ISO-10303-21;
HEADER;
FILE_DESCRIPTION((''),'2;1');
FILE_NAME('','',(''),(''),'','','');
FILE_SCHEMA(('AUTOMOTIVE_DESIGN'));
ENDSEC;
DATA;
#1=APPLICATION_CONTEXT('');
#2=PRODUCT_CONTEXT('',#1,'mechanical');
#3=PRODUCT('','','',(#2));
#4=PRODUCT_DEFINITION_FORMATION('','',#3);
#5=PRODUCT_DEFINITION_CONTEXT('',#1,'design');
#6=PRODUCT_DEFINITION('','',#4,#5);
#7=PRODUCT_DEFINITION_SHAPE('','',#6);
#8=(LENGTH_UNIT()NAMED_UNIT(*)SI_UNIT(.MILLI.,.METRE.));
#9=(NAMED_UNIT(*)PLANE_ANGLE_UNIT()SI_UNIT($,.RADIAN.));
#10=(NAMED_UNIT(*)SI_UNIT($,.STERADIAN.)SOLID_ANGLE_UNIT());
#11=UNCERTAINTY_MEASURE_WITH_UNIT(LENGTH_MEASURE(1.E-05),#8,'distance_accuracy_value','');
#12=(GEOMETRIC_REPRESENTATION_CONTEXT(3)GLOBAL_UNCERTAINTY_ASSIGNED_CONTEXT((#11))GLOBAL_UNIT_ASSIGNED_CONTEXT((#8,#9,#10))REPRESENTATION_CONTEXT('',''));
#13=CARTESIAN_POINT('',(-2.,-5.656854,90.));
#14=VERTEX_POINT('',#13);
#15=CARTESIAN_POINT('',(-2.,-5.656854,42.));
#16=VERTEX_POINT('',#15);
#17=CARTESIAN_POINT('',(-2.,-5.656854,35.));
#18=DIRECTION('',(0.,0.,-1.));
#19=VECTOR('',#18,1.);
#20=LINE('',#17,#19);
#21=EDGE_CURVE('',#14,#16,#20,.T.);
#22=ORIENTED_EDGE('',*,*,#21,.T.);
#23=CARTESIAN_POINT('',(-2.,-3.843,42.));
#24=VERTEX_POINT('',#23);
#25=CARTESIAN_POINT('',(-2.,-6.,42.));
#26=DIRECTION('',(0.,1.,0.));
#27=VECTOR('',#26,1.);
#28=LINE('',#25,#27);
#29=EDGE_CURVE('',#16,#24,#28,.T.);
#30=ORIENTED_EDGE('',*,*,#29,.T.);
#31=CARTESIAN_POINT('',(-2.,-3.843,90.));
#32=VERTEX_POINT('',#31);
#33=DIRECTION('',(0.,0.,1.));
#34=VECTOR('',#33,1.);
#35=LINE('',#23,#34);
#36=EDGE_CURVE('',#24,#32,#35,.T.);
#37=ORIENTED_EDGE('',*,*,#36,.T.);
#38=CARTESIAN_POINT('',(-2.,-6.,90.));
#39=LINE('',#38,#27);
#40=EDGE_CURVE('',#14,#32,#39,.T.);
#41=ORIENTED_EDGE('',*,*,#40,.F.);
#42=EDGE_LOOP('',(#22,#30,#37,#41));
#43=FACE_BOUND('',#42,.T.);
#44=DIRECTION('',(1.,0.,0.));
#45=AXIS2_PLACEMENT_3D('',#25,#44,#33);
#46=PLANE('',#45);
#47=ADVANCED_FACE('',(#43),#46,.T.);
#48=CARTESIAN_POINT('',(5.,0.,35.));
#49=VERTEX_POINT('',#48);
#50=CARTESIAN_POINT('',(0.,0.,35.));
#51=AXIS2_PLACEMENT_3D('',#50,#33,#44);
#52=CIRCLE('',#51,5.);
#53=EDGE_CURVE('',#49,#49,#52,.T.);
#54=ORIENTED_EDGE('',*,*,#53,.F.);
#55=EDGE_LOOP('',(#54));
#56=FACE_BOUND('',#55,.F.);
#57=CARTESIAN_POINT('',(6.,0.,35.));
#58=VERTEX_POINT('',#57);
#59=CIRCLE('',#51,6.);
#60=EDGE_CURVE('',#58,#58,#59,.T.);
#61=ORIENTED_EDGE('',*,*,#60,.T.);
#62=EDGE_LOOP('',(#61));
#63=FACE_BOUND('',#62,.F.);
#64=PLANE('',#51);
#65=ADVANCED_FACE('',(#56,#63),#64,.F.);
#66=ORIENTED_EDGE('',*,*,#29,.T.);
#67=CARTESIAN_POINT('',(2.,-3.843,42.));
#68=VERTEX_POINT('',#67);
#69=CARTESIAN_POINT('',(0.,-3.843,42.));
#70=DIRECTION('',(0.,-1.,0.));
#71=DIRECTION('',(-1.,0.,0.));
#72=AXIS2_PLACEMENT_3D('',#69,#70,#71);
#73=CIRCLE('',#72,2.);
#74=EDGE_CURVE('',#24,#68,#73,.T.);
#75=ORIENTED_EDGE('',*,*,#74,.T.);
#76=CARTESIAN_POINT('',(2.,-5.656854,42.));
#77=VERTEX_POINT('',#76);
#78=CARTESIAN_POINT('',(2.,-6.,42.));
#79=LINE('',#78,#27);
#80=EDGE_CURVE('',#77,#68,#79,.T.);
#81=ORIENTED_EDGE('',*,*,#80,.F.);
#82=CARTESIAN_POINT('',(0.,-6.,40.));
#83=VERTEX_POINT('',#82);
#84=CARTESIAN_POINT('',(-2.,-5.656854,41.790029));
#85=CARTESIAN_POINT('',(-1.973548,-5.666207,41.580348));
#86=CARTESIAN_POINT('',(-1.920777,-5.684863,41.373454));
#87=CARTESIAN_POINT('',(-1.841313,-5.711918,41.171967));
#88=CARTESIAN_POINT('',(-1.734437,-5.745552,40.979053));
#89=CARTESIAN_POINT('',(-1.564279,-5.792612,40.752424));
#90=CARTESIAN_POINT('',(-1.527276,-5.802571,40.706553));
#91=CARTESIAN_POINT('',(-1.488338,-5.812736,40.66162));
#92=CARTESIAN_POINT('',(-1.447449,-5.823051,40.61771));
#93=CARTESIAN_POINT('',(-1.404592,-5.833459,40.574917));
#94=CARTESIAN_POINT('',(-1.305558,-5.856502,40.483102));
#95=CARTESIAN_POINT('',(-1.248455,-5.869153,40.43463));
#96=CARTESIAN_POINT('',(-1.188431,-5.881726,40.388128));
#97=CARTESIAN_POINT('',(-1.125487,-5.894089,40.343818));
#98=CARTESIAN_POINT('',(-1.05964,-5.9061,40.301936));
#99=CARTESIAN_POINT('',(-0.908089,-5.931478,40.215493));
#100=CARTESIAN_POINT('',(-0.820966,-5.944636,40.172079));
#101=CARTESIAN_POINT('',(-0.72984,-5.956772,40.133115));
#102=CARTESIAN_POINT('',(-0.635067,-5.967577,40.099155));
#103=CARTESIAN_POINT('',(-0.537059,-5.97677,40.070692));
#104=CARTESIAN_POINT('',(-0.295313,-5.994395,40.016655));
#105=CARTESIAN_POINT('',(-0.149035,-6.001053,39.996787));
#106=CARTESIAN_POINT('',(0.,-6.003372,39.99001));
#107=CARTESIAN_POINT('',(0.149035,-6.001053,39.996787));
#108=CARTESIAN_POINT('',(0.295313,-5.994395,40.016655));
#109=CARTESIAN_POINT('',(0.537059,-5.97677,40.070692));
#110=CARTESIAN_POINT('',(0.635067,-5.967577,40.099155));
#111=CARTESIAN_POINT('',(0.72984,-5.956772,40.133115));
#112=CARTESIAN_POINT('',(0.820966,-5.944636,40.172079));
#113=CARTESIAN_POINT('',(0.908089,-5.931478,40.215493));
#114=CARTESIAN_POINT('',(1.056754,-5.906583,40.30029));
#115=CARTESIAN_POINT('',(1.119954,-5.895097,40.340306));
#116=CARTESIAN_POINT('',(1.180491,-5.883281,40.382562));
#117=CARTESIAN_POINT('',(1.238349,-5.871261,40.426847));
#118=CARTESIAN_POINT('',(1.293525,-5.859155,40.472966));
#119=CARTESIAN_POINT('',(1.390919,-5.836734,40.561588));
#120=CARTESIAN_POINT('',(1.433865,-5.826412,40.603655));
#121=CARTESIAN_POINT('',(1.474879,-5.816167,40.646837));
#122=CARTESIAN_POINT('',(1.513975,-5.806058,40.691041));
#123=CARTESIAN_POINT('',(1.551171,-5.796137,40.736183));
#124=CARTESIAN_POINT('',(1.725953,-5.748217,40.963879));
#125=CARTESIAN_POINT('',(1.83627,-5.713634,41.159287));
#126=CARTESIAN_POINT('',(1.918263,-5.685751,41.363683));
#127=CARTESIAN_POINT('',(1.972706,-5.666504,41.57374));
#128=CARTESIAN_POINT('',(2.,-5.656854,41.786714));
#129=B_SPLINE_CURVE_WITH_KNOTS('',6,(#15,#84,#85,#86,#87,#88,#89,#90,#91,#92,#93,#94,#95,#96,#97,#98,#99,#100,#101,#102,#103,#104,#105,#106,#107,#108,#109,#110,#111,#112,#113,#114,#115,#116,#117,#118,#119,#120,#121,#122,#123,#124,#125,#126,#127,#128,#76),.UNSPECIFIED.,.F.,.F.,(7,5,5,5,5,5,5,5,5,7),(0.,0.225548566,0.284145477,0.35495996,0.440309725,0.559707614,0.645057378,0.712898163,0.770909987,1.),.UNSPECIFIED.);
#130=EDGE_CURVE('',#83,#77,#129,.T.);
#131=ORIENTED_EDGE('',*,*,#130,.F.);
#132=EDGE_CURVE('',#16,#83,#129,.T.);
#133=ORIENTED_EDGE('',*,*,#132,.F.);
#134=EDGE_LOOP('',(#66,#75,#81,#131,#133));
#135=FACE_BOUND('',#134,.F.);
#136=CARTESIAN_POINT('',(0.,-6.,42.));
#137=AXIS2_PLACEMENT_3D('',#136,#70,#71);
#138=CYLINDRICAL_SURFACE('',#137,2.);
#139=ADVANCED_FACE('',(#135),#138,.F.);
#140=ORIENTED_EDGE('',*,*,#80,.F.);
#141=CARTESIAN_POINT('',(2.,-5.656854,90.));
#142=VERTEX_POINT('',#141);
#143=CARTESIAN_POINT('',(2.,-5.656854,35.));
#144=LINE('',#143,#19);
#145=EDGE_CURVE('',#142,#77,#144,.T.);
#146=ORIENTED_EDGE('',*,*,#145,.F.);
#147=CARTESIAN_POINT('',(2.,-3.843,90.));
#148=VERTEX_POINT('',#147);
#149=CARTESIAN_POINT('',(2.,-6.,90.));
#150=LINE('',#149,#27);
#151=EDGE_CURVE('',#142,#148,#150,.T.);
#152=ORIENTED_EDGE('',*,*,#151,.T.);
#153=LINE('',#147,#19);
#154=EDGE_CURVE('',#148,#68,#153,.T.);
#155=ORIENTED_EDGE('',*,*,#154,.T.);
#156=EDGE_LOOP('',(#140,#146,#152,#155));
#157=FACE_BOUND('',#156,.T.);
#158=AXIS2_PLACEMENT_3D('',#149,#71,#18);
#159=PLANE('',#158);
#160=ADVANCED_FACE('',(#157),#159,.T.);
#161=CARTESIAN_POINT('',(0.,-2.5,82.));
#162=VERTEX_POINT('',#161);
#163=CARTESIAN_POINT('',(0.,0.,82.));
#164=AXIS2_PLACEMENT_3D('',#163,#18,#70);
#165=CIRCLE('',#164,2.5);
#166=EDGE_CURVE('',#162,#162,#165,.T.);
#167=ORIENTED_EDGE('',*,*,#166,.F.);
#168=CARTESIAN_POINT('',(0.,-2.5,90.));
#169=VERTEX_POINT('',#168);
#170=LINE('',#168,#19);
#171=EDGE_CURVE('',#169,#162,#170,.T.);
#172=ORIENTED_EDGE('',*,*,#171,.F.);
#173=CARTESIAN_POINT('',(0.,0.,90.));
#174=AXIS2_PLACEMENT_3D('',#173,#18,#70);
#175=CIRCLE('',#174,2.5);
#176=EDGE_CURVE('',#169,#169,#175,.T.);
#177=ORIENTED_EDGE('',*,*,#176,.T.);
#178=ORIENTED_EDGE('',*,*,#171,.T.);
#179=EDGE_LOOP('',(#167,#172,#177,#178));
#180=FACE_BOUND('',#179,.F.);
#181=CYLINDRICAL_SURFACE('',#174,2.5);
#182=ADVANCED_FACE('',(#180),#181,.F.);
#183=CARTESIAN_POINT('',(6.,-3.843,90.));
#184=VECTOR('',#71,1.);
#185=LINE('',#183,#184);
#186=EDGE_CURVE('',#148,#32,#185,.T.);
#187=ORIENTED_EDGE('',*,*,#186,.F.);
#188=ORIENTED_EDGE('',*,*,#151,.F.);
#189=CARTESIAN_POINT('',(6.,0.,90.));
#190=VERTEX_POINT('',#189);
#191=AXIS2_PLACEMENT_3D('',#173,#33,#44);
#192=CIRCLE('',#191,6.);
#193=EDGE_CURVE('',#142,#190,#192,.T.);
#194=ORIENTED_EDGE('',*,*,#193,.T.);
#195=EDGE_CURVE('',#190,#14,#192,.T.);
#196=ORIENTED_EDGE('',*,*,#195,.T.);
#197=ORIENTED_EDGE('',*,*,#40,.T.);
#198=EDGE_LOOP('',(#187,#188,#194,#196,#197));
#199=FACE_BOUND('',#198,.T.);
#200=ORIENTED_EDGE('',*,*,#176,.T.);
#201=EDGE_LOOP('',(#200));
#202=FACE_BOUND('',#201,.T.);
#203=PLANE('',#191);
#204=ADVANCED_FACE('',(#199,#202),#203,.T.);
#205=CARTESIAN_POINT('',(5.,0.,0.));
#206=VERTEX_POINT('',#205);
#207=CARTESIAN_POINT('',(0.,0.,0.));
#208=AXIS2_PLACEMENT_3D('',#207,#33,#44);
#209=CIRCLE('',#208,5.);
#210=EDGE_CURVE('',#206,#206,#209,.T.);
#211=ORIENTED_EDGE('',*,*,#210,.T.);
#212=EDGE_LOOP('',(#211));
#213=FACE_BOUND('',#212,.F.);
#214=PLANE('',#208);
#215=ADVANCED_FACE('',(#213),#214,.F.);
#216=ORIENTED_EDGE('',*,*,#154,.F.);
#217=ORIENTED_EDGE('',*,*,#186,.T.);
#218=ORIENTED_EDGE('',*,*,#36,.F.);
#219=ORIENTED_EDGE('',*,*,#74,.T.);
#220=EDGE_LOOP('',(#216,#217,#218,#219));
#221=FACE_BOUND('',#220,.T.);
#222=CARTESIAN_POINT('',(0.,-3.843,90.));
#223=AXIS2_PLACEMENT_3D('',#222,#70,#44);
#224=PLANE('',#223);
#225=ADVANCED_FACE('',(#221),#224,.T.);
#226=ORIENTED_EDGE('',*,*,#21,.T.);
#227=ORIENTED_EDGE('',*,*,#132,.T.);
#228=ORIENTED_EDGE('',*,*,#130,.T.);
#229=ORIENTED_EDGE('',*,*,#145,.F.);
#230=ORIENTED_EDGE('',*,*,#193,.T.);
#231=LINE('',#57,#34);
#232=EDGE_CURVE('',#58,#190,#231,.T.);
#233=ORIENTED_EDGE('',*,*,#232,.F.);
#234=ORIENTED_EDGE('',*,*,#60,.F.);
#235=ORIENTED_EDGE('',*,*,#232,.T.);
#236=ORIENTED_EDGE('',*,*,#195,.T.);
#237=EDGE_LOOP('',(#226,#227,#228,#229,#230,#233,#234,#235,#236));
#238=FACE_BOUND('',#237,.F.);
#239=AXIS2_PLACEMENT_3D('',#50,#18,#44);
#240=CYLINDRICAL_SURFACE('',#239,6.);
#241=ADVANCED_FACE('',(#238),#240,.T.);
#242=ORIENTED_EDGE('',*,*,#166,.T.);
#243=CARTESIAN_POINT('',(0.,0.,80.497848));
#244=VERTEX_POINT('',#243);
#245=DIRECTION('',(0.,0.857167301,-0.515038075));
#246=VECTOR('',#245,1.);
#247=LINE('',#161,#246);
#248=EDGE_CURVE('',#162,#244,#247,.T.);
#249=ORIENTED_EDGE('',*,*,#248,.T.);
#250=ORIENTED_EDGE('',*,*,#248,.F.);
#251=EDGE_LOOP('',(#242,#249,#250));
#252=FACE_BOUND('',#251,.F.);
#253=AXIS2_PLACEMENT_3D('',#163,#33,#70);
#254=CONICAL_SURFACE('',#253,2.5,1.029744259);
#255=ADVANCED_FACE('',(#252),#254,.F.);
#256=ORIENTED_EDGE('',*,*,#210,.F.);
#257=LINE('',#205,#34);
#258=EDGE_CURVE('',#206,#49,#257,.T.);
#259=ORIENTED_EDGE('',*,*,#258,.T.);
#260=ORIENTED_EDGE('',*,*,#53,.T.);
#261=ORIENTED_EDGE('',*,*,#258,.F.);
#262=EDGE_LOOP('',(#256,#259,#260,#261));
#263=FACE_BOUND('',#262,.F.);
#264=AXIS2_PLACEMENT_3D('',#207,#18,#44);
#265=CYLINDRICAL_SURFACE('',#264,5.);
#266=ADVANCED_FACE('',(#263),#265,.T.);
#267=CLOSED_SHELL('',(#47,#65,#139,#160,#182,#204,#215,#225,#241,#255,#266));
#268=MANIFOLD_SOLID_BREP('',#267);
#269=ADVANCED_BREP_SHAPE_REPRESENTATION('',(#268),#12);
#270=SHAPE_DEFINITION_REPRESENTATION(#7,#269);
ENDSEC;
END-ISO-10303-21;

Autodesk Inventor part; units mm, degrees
ref_plane "YZ Plane" through (0, 0, 0) normal (1, 0, 0) x (0, 1, 0)
ref_plane "XZ Plane" through (0, 0, 0) normal (0, 1, 0) x (-1, 0, 0)
sketch "スケッチ1" plane through (0, 0, 0) normal (0, 0, 1) x (1, 0, 0)
  circle A0 centre (0, 0) radius 5
  dimension "d0" = 10
extrude "押し出し1" add sketch "スケッチ1" along normal blind 35
thread "ねじ1" size "M10x1.5" class "6g" standard "ANSI Metric M Profile" length 10
sketch "スケッチ2" plane through (0, 0, 35) normal (0, 0, 1) x (1, 0, 0)
  circle A0 centre (0, 0) radius 6
  dimension "d5" = 12
extrude "押し出し2" add sketch "スケッチ2" along normal blind 55
sketch "スケッチ6" plane through (0, 0, 90) normal (0, 0, 1) x (1, 0, 0)
  line L0 (0, 0) -> (0, -6) construction
  circle A0 centre (0, 0) radius 6 projected
ref_plane "作業平面5" through (0, -6, 90) normal (0, -1, 0) x (1, 0, 0)
sketch "スケッチ8" plane through (0, -6, 90) normal (0, -1, 0) x (1, 0, 0)
  line L0 (6, 0) -> (-6, 0) projected
  line L1 (-2, 0) -> (2, 0)
  line L2 (-2, 0) -> (2, 0)
  line L3 (2, 0) -> (2, -48)
  line L4 (-2, -48) -> (-2, 0)
  arc A0 (-2, -48) -> (2, -48) centre (0, -48) ccw
  point P0 (0, -90)
  point P1 (0, 0)
  dimension "d11" = 2
  dimension "d17" = 48
  dimension "d29" = 2
extrude "押し出し3" cut sketch "スケッチ8" against normal blind 2.157
sketch "スケッチ9" plane through (0, 0, 90) normal (0, 0, 1) x (1, 0, 0)
  point P0 (0, 0)
  point P1 (0, 0)
hole "穴1" at (0, 0, 90) direction (0, 0, -1) diameter 5 depth 8 tip angle 118
thread "ねじ2" size "Rc 2 1/2" standard "ISO Taper Internal" full length
thread "ねじ3" size "M5x0.8" class "6H" standard "ANSI Metric M Profile" full length
properties part number "正しい"
